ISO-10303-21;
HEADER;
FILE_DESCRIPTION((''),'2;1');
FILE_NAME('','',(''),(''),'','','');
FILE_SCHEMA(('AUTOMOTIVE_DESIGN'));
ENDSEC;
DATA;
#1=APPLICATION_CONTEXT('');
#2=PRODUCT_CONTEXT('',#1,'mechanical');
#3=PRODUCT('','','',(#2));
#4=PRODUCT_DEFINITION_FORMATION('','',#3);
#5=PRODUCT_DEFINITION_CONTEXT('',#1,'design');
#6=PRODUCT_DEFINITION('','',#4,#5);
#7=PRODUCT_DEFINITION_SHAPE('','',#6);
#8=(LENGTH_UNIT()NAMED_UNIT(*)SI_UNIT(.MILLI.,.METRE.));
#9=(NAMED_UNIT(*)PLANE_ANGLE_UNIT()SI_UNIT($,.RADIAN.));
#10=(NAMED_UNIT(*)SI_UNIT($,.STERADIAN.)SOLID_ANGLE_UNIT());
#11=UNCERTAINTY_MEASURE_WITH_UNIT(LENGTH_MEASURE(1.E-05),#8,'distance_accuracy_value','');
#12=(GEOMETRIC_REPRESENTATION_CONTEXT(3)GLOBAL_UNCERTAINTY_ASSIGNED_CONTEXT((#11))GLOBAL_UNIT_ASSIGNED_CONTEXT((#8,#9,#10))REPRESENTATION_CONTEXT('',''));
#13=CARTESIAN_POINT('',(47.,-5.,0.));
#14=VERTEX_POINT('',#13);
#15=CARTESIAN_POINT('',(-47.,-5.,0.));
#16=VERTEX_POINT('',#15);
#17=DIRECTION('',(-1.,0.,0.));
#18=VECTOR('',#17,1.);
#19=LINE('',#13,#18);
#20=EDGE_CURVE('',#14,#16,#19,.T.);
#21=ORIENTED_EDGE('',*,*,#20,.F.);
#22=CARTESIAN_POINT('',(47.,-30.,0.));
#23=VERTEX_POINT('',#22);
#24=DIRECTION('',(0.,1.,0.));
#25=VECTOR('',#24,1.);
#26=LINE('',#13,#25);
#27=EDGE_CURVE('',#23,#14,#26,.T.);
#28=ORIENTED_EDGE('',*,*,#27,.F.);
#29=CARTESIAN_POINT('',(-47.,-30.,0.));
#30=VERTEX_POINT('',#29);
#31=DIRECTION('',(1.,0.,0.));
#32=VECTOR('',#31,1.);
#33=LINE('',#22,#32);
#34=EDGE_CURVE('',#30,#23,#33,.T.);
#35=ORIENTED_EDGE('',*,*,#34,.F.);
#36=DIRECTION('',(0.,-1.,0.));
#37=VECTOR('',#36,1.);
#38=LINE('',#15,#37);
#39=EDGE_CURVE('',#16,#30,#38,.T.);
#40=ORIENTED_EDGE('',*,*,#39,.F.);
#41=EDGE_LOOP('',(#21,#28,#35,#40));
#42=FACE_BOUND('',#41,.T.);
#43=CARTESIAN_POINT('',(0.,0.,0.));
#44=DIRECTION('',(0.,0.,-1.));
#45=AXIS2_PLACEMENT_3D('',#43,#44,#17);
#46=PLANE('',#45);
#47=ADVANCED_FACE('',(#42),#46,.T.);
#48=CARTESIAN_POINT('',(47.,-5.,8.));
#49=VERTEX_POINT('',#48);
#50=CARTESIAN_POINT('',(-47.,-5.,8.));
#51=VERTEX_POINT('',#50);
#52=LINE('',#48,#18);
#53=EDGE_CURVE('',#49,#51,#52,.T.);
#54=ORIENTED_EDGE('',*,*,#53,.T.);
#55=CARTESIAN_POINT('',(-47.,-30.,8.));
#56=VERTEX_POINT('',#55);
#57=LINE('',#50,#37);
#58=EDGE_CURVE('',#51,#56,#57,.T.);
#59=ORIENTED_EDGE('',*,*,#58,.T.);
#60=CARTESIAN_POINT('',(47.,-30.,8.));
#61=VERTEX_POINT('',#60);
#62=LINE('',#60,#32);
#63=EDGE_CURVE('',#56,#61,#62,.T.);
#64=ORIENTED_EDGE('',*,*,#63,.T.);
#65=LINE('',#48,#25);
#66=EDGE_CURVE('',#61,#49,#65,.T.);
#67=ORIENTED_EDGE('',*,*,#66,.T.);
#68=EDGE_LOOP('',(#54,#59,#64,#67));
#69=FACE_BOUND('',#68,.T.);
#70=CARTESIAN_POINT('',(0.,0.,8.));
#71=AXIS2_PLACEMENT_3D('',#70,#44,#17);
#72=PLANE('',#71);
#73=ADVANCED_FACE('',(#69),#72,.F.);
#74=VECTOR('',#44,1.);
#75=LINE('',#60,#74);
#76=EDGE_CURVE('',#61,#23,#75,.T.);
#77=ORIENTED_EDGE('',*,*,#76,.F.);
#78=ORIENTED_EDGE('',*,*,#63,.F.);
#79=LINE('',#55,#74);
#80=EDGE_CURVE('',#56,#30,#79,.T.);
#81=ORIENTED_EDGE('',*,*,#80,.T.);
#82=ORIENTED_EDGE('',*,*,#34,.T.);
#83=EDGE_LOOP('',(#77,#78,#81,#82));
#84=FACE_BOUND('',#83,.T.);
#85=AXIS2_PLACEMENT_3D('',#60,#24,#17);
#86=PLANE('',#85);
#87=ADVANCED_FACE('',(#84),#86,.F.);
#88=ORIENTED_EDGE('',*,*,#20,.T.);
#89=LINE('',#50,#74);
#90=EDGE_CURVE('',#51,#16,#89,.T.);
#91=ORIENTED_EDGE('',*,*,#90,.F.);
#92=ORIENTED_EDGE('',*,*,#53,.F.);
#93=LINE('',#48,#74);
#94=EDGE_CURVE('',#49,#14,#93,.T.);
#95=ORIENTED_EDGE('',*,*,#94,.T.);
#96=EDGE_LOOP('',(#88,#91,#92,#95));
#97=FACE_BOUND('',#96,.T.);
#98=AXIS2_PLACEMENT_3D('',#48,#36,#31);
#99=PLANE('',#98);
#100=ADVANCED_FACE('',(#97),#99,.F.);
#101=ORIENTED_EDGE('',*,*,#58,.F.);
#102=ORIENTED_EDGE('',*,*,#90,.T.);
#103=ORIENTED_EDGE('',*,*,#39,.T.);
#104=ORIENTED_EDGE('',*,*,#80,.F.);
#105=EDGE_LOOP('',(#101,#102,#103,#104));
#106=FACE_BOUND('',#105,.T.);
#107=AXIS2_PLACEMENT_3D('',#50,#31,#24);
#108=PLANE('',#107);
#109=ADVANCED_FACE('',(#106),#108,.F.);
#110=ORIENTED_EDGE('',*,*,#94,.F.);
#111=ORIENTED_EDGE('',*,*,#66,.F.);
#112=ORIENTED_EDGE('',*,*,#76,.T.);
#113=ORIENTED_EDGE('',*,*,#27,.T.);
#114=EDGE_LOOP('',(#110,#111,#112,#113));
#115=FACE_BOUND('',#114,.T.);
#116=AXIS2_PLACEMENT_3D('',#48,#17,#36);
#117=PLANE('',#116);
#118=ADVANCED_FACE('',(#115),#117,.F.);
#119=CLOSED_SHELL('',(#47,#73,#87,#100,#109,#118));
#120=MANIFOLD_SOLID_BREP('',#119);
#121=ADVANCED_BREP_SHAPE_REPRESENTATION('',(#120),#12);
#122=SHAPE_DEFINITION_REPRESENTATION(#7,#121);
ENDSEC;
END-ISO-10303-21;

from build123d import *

# Parameters (mm, degrees)
ESBO_O1_W                = 94
ESBO_O1_H                = 25
RESSALTO_EXTRUS_O1_DEPTH = 8


with BuildPart() as part:
    # Esboço1 → Ressalto-extrusão1 (new body)
    with BuildSketch(Plane.XY):
        with Locations((0, -17.5)):
            Rectangle(ESBO_O1_W, ESBO_O1_H)
    extrude(amount=RESSALTO_EXTRUS_O1_DEPTH)


solid = part.part
